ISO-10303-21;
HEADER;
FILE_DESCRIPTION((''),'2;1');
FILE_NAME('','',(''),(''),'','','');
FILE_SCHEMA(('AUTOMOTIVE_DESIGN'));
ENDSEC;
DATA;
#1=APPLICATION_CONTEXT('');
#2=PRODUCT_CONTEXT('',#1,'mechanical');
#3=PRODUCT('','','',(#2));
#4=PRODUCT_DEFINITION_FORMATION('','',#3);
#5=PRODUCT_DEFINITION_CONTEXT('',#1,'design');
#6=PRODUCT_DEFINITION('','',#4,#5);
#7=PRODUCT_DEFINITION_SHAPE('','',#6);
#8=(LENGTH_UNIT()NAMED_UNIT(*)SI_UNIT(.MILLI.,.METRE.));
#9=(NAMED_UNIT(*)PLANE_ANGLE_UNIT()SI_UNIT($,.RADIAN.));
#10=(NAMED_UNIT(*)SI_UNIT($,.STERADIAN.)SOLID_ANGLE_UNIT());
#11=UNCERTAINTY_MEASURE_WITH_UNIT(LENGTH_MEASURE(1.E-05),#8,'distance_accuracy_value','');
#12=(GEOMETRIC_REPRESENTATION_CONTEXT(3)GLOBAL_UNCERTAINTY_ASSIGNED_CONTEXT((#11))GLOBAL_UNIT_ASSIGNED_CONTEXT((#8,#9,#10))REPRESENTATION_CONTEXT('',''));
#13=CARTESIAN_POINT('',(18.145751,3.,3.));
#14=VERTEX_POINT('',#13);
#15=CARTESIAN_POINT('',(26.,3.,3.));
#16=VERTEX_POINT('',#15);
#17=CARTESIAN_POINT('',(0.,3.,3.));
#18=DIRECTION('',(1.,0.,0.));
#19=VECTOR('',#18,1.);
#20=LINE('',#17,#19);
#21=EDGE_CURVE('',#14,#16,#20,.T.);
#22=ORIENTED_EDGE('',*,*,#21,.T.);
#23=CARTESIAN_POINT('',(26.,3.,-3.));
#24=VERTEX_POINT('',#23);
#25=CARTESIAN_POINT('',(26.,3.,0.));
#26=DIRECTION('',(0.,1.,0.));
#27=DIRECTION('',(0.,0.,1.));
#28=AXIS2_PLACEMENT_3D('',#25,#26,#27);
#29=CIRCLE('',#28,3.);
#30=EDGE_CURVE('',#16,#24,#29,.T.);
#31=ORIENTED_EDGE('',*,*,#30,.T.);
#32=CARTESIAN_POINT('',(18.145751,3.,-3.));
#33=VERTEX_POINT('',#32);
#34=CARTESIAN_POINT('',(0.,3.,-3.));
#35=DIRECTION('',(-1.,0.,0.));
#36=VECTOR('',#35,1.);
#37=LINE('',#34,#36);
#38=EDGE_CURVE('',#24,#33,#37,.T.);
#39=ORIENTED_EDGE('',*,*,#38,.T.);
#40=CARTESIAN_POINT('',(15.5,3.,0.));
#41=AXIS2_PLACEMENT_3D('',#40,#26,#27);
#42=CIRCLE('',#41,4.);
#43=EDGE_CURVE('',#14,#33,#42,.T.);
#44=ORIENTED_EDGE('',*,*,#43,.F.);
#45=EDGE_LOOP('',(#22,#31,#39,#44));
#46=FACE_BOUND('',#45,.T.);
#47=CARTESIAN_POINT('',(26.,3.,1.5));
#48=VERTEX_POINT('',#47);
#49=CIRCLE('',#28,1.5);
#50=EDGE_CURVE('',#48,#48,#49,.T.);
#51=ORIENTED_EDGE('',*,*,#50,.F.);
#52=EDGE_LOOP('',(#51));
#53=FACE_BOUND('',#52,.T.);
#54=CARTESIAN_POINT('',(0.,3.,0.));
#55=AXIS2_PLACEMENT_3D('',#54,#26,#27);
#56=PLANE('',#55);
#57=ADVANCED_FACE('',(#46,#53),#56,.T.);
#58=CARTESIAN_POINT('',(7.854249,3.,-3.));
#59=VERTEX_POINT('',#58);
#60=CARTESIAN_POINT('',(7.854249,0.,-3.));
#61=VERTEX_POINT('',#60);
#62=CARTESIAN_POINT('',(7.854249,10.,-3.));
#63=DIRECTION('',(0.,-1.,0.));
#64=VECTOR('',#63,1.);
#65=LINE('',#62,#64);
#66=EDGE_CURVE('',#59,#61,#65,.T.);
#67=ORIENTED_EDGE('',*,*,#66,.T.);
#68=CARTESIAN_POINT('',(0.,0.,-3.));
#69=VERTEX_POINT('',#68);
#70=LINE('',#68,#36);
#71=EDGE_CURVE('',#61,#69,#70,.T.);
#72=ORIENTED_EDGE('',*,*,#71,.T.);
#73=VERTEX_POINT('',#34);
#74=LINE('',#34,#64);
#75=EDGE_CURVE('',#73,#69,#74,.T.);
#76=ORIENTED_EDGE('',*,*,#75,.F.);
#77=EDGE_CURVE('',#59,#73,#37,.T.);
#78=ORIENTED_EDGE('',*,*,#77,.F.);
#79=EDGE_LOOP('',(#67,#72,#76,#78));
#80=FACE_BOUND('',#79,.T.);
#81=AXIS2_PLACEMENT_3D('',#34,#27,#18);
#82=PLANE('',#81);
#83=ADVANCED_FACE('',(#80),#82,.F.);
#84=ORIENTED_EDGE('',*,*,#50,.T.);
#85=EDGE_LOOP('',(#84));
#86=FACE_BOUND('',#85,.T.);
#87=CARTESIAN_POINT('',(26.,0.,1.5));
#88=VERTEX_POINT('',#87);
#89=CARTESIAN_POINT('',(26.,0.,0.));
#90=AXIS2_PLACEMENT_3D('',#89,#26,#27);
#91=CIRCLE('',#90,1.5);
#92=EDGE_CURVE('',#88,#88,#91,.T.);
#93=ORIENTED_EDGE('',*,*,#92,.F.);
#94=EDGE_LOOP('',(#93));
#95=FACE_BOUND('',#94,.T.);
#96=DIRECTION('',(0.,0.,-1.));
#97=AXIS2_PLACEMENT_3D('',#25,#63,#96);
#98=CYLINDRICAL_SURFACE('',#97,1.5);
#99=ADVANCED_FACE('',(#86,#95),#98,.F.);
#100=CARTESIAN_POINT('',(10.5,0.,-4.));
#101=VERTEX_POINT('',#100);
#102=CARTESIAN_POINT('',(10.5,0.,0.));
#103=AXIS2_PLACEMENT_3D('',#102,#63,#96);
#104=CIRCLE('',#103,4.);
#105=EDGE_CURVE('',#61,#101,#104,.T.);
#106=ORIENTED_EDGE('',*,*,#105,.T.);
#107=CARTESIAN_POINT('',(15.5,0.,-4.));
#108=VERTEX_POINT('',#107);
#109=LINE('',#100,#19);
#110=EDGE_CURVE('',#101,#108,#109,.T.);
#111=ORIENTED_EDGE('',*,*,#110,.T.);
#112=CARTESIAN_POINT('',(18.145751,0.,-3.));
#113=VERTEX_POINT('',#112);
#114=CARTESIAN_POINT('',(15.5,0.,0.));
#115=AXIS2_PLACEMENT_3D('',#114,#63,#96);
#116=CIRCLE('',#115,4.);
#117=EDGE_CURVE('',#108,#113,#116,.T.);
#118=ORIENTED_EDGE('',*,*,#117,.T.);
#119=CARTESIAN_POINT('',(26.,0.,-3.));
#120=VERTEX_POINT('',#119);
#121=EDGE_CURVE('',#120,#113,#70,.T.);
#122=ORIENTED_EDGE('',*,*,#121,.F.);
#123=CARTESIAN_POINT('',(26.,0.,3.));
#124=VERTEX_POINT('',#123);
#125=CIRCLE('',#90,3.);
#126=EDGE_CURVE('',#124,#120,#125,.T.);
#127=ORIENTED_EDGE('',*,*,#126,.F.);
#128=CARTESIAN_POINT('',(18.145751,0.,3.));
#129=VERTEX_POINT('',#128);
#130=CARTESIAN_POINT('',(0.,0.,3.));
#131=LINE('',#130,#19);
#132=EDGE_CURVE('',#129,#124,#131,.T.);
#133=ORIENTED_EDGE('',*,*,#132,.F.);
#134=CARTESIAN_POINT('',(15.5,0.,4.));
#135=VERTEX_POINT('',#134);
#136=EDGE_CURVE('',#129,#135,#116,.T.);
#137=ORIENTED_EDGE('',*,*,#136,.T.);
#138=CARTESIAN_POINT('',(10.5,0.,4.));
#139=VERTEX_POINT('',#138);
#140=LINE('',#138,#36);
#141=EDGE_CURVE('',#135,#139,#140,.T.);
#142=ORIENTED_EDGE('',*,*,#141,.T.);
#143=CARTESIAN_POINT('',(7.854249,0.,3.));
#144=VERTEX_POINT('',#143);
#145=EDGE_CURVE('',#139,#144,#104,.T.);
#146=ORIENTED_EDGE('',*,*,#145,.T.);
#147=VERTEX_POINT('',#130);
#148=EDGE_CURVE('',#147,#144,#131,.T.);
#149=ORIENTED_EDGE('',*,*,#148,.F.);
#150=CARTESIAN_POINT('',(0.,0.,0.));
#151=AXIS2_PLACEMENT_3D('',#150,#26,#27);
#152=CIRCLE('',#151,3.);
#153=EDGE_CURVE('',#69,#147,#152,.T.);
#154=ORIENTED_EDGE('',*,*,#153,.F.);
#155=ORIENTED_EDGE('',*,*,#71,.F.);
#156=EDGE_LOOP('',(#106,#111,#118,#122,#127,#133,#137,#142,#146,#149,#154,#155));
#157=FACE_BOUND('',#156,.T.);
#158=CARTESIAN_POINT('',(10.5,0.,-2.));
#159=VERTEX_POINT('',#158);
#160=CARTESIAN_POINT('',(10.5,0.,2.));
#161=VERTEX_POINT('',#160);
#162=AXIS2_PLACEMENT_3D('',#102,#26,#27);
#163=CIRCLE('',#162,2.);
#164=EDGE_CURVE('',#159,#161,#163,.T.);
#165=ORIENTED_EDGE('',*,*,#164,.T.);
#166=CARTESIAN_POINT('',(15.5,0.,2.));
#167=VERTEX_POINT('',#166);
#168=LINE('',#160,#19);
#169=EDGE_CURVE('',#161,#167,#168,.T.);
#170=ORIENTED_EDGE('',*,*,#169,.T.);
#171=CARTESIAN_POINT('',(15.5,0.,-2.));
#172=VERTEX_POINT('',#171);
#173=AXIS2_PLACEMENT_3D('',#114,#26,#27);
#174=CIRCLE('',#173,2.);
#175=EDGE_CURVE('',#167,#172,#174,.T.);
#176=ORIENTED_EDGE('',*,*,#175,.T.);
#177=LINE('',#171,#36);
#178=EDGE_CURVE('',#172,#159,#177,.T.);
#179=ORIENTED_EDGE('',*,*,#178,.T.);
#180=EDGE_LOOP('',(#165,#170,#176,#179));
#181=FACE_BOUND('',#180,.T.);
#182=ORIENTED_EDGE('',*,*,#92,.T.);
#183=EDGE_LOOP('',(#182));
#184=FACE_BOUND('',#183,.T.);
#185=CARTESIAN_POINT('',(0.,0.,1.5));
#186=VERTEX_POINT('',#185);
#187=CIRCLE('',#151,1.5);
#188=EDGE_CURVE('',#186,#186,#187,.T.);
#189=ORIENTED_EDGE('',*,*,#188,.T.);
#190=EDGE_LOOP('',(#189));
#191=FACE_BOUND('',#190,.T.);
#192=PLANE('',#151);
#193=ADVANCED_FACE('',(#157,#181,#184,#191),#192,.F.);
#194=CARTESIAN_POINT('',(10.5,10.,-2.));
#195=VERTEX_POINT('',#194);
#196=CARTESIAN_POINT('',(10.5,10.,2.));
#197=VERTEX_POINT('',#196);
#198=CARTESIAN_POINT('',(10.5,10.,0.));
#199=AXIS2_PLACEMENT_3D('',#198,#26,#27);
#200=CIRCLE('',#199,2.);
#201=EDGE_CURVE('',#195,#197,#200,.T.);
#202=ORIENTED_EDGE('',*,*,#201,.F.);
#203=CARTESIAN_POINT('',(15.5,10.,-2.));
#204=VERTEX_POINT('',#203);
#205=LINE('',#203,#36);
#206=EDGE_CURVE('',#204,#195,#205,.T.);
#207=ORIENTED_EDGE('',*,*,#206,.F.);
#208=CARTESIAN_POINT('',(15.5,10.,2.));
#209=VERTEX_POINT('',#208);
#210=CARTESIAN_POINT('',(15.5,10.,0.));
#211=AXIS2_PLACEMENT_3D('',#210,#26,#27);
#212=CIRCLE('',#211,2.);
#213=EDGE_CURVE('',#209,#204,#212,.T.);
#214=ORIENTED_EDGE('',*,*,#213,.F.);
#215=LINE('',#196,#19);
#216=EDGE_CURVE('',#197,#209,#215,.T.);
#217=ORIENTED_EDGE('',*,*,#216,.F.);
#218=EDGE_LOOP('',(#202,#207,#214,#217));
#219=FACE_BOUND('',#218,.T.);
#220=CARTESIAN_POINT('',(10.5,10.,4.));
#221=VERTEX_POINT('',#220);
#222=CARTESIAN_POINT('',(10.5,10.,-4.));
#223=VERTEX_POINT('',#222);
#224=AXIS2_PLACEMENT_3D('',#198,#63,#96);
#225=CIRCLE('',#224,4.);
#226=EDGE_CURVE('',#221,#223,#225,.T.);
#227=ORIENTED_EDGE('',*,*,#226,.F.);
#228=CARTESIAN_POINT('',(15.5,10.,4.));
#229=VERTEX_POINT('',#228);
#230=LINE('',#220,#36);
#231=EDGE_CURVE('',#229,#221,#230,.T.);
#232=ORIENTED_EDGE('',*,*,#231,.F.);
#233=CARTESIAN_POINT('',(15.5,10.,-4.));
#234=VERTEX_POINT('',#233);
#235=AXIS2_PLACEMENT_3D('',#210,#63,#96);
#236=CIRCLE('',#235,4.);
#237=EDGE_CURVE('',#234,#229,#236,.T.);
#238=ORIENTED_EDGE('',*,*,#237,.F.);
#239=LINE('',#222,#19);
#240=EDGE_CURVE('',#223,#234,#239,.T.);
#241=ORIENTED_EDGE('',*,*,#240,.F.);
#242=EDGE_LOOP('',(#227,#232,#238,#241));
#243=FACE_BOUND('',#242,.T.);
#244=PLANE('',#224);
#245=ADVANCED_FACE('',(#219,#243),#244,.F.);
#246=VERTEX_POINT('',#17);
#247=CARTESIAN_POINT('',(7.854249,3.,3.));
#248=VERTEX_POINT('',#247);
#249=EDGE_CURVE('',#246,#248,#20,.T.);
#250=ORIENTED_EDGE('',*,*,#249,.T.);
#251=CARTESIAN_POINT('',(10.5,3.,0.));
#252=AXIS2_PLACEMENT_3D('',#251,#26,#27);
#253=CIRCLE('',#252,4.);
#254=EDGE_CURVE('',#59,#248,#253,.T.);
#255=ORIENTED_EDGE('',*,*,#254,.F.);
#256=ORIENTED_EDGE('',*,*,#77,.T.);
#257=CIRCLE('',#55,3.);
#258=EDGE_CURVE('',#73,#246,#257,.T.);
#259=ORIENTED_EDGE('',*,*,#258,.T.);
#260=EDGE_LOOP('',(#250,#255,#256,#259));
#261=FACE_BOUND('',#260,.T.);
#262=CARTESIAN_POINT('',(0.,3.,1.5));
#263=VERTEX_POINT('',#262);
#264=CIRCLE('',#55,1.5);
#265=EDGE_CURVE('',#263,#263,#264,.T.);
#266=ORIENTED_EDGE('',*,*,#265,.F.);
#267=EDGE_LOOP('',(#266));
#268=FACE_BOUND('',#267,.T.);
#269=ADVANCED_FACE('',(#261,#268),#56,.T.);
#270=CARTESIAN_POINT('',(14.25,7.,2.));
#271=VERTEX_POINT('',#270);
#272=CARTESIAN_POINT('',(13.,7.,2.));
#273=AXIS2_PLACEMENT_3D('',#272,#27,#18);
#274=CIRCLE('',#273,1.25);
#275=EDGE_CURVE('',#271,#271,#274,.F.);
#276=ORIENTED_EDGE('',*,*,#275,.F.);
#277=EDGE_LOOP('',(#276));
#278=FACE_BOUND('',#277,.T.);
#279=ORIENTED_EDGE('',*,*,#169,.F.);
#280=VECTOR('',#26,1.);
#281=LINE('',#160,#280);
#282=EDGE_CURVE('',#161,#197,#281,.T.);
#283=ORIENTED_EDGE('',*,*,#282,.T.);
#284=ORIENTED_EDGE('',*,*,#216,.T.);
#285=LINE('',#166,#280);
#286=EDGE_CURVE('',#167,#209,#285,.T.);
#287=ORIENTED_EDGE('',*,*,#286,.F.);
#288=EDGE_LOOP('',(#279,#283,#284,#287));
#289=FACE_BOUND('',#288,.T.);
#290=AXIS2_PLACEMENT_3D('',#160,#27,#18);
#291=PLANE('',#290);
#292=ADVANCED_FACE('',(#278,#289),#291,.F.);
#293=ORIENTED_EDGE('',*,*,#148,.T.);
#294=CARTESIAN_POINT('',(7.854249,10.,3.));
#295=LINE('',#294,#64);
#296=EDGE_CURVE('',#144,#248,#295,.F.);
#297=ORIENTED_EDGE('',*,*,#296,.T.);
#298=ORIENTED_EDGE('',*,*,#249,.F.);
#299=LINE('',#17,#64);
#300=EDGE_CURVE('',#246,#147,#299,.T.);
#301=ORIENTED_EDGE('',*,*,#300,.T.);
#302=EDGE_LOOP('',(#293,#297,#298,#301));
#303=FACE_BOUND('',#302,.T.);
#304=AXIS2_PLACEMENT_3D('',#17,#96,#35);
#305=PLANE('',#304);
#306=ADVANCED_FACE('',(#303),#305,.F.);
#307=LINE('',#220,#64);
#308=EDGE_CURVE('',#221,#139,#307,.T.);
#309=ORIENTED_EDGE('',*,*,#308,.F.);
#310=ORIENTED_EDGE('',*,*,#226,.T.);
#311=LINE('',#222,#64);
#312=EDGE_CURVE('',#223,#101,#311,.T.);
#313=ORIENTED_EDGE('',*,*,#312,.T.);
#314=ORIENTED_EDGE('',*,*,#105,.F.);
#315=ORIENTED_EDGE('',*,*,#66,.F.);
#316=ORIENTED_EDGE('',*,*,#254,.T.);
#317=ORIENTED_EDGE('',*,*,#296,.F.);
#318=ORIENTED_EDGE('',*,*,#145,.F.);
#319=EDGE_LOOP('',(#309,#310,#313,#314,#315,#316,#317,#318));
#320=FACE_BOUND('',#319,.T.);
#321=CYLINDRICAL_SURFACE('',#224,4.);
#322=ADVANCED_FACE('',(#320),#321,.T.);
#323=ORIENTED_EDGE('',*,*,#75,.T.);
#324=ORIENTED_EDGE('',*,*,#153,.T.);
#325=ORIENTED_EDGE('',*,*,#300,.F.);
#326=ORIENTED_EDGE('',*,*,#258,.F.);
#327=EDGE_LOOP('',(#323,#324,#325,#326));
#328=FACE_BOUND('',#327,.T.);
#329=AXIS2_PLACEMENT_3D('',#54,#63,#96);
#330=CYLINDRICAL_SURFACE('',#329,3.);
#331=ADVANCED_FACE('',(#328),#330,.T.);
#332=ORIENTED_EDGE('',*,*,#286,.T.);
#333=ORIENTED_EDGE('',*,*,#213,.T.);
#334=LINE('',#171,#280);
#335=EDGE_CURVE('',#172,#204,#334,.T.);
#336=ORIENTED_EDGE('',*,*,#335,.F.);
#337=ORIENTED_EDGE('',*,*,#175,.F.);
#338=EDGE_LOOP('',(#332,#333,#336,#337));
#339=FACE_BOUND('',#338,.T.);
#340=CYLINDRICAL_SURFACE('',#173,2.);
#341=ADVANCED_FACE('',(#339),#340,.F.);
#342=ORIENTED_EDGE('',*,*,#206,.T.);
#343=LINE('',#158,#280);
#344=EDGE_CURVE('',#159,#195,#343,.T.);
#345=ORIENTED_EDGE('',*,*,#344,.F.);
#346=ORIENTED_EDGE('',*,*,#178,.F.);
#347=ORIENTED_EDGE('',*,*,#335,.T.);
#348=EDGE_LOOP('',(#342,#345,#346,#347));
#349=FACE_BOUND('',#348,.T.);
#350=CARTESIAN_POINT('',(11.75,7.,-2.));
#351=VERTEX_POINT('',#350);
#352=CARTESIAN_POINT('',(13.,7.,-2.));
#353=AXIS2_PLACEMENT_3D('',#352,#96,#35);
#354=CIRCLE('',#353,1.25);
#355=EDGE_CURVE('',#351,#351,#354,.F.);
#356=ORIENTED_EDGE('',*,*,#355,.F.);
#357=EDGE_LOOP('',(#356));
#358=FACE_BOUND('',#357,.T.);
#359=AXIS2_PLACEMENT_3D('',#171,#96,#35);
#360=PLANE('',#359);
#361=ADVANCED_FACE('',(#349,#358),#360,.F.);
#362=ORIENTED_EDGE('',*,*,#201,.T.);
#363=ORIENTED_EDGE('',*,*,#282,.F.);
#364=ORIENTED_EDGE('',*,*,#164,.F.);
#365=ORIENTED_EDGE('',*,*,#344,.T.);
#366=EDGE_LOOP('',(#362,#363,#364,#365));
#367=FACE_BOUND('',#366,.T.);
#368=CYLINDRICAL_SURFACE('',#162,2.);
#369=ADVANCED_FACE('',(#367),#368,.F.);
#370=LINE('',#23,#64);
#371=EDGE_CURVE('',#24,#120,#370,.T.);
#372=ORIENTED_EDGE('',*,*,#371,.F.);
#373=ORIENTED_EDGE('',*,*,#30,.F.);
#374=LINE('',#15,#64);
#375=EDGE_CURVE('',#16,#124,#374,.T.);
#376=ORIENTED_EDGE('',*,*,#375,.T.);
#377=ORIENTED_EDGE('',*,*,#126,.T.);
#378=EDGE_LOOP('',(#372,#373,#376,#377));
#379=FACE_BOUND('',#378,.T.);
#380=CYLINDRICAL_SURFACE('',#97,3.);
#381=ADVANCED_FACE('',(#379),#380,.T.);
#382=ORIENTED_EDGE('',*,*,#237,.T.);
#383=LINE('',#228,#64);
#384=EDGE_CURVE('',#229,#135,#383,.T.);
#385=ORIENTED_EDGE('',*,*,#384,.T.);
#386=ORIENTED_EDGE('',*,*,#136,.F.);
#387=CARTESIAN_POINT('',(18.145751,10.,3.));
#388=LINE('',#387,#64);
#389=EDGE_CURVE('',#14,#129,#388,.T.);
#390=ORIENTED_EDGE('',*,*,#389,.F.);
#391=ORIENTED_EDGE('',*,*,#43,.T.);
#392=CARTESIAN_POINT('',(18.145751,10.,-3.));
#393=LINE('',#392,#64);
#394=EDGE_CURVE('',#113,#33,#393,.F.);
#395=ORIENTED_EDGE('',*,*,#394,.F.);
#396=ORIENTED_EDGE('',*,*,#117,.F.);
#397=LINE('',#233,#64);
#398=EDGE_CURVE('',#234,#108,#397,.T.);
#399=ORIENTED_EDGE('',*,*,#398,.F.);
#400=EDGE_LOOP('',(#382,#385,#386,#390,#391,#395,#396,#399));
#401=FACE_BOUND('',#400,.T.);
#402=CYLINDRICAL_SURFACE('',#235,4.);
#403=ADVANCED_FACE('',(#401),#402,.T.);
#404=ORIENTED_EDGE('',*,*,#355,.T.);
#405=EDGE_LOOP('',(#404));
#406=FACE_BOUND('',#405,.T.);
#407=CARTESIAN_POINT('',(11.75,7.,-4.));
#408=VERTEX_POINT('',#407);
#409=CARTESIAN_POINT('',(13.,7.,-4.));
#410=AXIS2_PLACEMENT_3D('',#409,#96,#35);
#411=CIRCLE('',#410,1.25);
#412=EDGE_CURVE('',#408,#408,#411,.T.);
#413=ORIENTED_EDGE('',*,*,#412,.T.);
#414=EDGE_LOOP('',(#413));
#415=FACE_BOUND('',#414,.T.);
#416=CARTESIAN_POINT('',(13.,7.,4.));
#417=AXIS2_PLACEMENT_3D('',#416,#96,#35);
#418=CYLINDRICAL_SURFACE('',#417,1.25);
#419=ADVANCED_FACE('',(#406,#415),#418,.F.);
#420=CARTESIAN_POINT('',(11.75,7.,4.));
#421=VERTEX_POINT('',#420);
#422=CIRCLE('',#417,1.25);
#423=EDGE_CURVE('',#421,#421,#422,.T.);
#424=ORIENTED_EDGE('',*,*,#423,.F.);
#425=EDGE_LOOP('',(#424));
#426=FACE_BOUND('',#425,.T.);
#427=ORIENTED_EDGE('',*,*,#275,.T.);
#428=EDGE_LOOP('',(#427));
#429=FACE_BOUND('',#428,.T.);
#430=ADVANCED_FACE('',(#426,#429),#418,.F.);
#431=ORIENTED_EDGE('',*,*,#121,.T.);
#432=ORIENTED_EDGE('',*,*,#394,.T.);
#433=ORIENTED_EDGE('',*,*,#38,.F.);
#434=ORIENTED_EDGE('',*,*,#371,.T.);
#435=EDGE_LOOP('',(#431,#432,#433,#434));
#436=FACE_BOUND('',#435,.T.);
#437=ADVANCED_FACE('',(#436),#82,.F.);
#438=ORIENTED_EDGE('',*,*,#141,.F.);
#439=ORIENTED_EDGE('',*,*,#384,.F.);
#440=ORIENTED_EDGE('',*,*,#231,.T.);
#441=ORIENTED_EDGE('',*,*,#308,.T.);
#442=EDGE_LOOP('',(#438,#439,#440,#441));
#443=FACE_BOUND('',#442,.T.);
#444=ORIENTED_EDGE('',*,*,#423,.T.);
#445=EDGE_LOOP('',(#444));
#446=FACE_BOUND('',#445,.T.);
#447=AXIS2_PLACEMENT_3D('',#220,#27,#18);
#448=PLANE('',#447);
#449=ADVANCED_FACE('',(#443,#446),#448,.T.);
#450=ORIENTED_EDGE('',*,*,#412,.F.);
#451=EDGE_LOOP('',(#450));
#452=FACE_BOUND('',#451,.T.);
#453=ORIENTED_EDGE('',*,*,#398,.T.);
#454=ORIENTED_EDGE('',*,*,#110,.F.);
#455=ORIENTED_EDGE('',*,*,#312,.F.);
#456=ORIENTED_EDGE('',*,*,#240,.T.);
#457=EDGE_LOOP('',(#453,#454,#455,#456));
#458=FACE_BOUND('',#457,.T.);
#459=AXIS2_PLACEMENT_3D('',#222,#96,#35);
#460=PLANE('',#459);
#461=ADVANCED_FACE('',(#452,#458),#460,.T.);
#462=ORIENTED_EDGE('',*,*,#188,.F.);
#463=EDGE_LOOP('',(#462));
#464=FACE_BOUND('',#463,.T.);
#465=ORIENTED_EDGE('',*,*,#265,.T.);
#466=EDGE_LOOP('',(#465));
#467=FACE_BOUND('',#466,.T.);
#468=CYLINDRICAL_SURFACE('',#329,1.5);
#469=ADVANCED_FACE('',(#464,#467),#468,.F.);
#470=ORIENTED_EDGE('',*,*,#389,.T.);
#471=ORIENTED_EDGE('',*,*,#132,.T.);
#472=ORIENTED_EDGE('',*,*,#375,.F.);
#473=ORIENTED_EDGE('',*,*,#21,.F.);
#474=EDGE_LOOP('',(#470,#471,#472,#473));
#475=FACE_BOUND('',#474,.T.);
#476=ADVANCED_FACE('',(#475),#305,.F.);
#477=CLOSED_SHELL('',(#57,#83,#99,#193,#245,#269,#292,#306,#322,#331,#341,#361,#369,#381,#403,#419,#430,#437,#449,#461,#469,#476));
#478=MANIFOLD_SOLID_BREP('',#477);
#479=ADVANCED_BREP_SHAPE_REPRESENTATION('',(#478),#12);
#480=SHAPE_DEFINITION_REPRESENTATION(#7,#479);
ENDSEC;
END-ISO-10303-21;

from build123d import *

# Parameters (mm, degrees)
SKETCH_1_R          = 1.5
EXTRUDE_1_DEPTH     = 3
EXTRUDE_2_DEPTH     = 10
SKETCH_7_R          = 1.25
CUT_EXTRUDE_7_DEPTH = 32.701734968
CUT_EXTRUDE_8_DEPTH = 31.935416597


with BuildPart() as part:
    # 草图1 → 凸台-拉伸1 (new body)
    with BuildSketch(Plane(origin=(0, 0, 0), x_dir=(1, 0, 0), z_dir=(0, 1, 0))):
        with BuildLine():
            Line((0, 3), (26, 3))
            ThreePointArc((26, 3), (29, 0), (26, -3))
            Line((26, -3), (0, -3))
            ThreePointArc((0, -3), (-3, 0), (0, 3))
        make_face()
        with Locations(Location((0, 0, 0), (0, 0, 270))):
            Circle(SKETCH_1_R, mode=Mode.SUBTRACT)
        with Locations(Location((26, 0, 0), (0, 0, 270))):
            Circle(SKETCH_1_R, mode=Mode.SUBTRACT)
    extrude(amount=EXTRUDE_1_DEPTH)

    # 草图6 → 凸台-拉伸2 (add)
    with BuildSketch(Plane.XZ):
        with BuildLine():
            Line((10.5, 4), (15.5, 4))
            ThreePointArc((15.5, 4), (19.5, 0), (15.5, -4))
            Line((15.5, -4), (10.5, -4))
            ThreePointArc((10.5, -4), (6.5, 0), (10.5, 4))
        make_face()
    extrude(amount=-EXTRUDE_2_DEPTH)

    # 草图7 → 切除-拉伸7 (cut, through all)
    with BuildSketch(Plane(origin=(0, 0, -4), x_dir=(-1, 0, 0), z_dir=(0, 0, -1))):
        with Locations((-13, 7)):
            Circle(SKETCH_7_R)
    extrude(amount=-CUT_EXTRUDE_7_DEPTH, mode=Mode.SUBTRACT)

    # 草图9 → 切除-拉伸8 (cut, through all)
    with BuildSketch(Plane(origin=(0, 10, 0), x_dir=(1, 0, 0), z_dir=(0, 1, 0))):
        with BuildLine():
            Line((10.5, -2), (15.5, -2))
            ThreePointArc((15.5, -2), (17.5, 0), (15.5, 2))
            Line((15.5, 2), (10.5, 2))
            ThreePointArc((10.5, 2), (8.5, 0), (10.5, -2))
        make_face()
    extrude(amount=-CUT_EXTRUDE_8_DEPTH, mode=Mode.SUBTRACT)


solid = part.part
